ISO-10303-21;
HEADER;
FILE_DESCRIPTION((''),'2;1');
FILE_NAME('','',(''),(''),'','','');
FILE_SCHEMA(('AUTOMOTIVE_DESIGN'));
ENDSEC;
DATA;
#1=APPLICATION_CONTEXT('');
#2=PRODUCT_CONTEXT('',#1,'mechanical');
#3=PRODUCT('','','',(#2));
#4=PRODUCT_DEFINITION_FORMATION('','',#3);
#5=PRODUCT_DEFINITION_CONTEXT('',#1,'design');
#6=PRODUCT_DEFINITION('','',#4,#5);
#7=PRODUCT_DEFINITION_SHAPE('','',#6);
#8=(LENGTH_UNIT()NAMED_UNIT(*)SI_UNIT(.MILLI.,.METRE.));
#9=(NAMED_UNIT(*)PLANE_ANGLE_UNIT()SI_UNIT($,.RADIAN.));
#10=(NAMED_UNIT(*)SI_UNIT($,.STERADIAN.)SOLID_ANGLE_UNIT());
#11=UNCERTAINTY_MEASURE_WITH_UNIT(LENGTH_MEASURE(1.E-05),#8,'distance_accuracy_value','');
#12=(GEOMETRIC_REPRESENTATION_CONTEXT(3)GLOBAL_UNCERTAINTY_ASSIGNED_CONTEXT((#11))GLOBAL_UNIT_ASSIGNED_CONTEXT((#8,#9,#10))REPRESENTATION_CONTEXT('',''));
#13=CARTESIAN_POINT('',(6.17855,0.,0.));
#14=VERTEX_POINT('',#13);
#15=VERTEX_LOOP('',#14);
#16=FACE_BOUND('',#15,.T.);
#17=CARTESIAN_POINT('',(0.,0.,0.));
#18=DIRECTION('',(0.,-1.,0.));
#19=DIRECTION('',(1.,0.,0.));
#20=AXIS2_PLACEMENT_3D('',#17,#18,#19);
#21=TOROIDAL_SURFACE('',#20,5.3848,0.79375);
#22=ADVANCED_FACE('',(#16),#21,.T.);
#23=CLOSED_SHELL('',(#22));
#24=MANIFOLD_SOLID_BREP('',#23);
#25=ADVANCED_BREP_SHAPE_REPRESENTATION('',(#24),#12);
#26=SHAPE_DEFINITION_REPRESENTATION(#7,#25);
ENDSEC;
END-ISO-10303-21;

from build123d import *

# Parameters (mm, degrees)
SKETCH1_R = 0.79375


with BuildPart() as part:
    # Sketch1 → Revolve1 (revolve)
    with BuildSketch(Plane.XY):
        with Locations((5.3848, 0)):
            Circle(SKETCH1_R)
    revolve(axis=Axis((0, -146.128692455, 0), (0, 1, 0)))


solid = part.part
